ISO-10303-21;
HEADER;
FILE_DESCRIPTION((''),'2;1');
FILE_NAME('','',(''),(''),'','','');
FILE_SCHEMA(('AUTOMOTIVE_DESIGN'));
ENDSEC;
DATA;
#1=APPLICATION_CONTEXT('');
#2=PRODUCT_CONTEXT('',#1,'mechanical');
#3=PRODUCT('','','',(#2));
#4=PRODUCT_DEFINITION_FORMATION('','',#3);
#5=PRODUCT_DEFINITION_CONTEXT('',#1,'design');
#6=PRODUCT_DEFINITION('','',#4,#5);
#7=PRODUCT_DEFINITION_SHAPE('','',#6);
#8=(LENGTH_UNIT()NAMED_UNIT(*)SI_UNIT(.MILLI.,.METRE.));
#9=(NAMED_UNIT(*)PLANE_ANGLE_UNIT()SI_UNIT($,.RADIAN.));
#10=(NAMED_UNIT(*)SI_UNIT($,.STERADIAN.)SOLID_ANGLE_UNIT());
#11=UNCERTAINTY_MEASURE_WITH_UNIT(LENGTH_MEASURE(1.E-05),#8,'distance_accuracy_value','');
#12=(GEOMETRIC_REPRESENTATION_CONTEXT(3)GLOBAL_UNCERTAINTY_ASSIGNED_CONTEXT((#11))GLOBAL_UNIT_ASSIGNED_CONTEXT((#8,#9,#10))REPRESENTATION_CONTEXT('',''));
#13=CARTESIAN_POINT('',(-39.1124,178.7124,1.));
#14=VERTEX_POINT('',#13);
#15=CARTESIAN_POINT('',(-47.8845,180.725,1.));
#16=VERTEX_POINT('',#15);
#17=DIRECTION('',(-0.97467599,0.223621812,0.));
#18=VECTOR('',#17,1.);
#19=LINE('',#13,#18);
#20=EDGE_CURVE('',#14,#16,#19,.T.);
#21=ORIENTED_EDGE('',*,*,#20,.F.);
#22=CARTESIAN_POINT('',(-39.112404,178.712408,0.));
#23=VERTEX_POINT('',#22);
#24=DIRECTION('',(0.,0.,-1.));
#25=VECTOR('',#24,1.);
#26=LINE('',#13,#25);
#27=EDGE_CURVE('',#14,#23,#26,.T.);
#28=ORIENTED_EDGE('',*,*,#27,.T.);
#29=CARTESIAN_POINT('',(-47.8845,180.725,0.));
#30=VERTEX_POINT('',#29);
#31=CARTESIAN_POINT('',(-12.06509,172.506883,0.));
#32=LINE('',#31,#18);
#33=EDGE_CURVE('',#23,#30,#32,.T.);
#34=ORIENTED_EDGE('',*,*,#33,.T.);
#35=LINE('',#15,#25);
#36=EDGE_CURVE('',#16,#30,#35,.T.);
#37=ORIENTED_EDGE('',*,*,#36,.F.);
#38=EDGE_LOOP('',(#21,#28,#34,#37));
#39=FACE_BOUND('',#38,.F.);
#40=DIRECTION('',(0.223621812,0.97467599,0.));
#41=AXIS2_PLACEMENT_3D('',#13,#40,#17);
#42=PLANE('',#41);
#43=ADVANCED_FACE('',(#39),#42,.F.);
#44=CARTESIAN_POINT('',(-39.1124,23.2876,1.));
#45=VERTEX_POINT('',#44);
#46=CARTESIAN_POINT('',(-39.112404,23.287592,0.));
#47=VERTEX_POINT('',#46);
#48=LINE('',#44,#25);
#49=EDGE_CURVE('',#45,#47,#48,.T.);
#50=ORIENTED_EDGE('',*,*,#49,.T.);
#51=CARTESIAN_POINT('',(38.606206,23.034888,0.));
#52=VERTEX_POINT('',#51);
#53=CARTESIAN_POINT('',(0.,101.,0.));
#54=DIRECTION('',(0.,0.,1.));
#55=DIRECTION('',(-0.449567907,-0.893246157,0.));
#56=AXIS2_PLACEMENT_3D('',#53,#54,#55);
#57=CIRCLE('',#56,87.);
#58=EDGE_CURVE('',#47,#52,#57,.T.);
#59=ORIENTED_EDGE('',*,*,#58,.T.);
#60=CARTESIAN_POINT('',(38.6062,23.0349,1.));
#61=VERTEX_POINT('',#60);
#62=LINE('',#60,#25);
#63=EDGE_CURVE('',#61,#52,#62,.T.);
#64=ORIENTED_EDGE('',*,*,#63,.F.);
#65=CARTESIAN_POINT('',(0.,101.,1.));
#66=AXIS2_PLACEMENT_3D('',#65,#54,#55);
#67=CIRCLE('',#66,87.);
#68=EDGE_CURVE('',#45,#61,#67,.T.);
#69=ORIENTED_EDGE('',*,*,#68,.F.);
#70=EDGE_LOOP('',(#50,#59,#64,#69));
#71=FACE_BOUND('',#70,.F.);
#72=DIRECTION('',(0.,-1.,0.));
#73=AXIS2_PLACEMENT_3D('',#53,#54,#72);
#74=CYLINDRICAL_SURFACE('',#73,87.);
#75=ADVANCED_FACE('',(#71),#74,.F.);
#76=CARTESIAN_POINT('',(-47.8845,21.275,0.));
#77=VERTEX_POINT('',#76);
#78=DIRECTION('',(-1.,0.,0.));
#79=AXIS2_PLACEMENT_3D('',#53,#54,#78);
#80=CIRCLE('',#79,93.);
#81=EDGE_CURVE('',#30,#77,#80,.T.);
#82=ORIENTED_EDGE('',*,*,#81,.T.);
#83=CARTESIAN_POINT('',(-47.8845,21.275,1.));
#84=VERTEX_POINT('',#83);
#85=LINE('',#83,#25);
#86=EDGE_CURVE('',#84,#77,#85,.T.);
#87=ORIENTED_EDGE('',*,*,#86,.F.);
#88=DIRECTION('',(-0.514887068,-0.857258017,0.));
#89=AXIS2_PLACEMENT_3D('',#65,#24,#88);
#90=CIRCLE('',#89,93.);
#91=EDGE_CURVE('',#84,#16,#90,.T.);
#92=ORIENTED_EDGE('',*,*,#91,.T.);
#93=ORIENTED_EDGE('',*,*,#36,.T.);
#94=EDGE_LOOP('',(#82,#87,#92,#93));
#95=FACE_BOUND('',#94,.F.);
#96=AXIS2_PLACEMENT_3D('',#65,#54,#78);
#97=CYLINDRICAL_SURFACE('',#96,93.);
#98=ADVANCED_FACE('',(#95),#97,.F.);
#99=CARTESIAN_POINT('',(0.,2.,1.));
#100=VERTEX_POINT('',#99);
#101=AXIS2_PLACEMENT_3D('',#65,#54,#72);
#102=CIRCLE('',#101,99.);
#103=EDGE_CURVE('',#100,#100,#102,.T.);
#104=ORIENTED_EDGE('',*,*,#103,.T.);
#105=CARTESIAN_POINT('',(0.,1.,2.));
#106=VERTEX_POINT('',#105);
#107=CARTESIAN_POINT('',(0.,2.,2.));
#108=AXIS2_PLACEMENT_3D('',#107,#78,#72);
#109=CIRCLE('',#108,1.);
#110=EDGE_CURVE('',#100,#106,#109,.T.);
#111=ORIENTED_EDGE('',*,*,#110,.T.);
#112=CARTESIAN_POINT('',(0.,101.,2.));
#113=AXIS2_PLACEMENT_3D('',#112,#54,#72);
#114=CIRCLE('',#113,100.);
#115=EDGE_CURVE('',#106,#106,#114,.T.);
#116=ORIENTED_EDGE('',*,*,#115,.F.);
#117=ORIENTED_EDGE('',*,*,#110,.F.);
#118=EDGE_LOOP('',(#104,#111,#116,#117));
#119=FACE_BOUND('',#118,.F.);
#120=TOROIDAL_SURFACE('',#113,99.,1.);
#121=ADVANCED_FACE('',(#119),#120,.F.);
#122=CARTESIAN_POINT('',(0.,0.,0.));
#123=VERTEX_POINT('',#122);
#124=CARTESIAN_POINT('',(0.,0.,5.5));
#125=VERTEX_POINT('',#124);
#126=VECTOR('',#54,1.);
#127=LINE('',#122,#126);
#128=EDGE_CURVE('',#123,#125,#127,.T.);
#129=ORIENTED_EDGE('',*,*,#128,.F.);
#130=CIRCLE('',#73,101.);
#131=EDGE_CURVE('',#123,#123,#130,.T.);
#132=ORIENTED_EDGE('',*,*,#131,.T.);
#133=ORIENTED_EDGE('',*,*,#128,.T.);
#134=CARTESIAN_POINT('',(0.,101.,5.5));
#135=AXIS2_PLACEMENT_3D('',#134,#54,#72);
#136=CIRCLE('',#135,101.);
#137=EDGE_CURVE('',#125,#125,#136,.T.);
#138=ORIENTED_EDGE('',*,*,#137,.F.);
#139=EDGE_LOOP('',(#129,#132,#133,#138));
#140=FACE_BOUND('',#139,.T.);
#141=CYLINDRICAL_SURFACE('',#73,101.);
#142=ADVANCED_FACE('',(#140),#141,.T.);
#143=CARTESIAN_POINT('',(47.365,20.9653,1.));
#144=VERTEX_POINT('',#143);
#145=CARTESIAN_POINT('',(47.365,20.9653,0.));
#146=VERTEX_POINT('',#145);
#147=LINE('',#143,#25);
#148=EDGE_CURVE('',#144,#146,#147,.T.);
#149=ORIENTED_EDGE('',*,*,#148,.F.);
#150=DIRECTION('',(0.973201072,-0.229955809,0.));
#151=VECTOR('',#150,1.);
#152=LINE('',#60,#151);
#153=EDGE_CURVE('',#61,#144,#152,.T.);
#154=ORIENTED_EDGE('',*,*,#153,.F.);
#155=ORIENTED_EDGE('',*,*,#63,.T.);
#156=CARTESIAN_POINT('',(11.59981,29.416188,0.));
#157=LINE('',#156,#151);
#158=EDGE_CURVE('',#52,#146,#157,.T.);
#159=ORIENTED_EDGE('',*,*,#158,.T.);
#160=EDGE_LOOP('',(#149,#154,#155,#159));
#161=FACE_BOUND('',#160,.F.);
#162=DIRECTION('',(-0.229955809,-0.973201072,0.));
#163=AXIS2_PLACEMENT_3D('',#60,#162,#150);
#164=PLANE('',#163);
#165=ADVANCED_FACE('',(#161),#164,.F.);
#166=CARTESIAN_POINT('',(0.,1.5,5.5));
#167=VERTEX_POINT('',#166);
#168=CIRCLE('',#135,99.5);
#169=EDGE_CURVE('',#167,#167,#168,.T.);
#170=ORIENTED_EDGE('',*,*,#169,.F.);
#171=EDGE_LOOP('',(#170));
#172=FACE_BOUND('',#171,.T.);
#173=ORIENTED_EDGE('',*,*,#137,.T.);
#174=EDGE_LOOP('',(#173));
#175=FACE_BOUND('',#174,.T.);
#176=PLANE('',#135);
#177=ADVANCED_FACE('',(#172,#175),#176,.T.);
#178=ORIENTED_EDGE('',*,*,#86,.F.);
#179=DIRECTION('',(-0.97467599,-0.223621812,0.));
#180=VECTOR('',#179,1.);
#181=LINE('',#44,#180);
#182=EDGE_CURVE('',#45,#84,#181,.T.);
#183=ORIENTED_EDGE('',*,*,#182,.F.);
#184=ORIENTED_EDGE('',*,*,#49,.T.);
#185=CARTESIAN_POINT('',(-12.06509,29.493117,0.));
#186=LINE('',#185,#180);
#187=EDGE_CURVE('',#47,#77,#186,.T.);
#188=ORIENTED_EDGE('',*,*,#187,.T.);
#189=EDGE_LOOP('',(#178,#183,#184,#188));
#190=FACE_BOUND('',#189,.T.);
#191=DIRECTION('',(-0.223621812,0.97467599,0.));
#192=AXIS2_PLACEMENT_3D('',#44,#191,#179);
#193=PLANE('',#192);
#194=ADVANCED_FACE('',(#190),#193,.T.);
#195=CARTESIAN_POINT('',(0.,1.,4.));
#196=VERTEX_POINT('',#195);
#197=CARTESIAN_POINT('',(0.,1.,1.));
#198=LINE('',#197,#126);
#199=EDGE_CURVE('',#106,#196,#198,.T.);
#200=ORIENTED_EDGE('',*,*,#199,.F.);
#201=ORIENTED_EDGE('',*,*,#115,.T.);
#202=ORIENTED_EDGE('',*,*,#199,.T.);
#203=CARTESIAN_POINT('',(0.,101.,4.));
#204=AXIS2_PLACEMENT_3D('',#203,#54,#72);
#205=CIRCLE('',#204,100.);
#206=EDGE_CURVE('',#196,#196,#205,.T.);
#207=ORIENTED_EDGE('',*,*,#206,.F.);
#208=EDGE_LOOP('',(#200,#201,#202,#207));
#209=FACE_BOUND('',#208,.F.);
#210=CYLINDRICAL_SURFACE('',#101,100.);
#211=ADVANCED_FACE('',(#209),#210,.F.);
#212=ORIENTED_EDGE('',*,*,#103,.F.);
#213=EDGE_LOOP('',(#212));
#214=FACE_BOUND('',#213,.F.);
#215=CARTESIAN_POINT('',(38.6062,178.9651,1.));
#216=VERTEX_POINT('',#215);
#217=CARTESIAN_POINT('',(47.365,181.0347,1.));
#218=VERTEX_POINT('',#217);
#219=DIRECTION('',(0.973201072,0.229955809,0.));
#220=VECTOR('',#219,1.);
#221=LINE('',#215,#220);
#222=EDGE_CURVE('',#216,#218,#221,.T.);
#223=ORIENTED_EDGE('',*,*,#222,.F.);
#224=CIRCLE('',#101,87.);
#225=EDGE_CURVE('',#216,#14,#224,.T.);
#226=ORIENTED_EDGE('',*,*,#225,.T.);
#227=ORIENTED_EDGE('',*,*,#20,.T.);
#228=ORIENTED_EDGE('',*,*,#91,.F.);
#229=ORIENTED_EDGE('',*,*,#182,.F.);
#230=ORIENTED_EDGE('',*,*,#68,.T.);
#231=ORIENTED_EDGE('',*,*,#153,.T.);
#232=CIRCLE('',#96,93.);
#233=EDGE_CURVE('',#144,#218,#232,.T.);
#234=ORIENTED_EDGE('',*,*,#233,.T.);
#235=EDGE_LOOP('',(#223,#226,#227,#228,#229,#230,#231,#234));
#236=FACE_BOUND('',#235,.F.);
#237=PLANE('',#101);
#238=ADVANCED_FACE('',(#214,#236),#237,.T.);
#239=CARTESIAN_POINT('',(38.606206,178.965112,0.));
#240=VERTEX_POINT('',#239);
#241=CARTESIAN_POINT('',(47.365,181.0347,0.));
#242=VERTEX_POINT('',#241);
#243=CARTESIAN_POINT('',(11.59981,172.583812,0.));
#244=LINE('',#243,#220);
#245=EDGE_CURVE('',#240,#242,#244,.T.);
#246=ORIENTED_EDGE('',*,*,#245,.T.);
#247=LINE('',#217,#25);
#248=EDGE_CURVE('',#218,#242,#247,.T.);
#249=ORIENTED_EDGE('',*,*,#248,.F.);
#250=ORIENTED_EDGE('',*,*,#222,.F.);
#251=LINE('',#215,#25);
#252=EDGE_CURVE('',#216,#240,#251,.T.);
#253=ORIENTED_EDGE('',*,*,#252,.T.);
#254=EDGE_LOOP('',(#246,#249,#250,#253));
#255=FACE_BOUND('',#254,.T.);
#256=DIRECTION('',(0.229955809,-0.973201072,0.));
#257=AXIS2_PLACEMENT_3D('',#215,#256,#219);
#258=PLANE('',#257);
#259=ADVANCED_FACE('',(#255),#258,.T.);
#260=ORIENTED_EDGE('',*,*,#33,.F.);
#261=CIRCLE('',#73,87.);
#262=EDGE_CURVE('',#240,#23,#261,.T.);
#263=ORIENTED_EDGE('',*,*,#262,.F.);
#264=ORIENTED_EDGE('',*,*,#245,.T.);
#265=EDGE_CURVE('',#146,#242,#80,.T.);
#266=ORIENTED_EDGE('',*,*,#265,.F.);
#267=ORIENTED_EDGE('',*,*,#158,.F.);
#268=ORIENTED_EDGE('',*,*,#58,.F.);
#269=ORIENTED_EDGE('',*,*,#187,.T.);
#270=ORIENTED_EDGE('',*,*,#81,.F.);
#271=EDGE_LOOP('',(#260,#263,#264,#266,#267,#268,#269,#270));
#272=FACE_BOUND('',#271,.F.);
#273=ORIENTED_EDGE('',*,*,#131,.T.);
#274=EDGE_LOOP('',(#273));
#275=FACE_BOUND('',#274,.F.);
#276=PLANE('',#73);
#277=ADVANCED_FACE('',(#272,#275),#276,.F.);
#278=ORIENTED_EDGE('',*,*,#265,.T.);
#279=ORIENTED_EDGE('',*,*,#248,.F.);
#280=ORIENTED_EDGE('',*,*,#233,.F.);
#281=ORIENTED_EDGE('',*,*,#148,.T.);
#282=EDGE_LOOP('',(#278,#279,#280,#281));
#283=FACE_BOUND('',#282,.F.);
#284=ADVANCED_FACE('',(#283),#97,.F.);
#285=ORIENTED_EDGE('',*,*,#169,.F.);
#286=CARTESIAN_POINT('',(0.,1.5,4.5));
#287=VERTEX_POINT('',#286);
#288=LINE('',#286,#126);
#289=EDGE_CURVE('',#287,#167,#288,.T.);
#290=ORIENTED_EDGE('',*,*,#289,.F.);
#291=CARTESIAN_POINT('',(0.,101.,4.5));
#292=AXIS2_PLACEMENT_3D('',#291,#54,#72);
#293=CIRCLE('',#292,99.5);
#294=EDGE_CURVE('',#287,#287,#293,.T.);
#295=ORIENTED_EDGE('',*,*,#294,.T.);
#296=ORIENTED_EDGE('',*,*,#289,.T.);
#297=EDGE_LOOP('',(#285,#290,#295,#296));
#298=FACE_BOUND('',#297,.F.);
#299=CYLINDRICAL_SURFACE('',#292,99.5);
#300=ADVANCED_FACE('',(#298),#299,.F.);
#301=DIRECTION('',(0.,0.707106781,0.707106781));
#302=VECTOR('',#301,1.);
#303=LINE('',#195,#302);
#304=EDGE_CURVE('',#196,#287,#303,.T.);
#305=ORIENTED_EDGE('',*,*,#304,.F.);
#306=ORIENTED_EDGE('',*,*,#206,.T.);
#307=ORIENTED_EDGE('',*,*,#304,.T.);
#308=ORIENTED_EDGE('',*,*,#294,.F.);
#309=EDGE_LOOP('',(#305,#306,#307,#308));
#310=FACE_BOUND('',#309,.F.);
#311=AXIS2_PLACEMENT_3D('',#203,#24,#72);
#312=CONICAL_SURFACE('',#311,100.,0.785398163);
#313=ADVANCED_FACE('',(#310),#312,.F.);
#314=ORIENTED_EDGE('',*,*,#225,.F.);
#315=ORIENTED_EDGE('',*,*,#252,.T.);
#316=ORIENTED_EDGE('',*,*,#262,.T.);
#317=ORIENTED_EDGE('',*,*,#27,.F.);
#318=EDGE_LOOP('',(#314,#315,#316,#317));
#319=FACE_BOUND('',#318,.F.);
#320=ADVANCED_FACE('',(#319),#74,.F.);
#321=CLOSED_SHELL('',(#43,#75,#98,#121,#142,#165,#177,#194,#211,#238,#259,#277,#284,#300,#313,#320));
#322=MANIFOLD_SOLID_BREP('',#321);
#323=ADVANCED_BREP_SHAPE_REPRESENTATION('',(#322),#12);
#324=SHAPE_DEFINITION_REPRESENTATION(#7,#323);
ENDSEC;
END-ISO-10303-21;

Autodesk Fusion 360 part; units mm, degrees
sketch "Ring" plane through (0, 0, 0) normal (1, 0, 0) x (0, 1, 0)
  line L0 (0, 0) -> (0, 5.5)
  line L1 (0, 0) -> (14, 0)
  line L2 (14, 0) -> (14, 1)
  line L3 (14, 1) -> (1, 1)
  line L4 (1, 1) -> (1, 4)
  line L5 (1, 4) -> (1.5, 4.5)
  line L6 (1.5, 4.5) -> (1.5, 5.5)
  line L7 (0, 5.5) -> (1.5, 5.5)
  line L8 (101, -11) -> (101, 21) construction
  point P0 (101, 0)
  dimension "d11" = 1
  dimension "d12" = 3
  dimension "d13" = 1
  dimension "d21" = 1
  dimension "d44" = 135
  dimension "d45" = 0.5
  dimension "d47" = 13
  dimension "d48" = 100
revolve "Revolve Ring" add sketch "Ring" angle 360 about axis through (0, 101, -11) along (0, 0, 1)
sketch "Cutout" plane through (0, 0, 1) normal (0, 0, 1) x (-1, 0, 0)
  circle A0 centre (0, -101) radius 100
  circle A1 centre (0, -101) radius 87
  circle A2 centre (0, -101) radius 87
  circle A3 centre (0, -101) radius 93
  line L0 (39.1124, -23.2876) -> (47.8845, -21.275)
  line L1 (-38.6062, -23.0349) -> (-47.365, -20.9653)
  line L2 (-38.6062, -178.9651) -> (-47.365, -181.0347)
  line L3 (39.1124, -178.7124) -> (47.8845, -180.725)
  line L4 (47.8845, -180.725) -> (47.8845, -21.275) construction
  line L5 (-47.365, -181.0347) -> (-47.365, -20.9653) construction
  point P0 (39.1124, -23.2876)
  dimension "d24" = 0
  dimension "d25" = 186
  dimension "d37" = 9
  dimension "d49" = 95.25
  dimension "d50" = 77.719
  dimension "d52" = 159.45
extrude "Remove Cutout" cut sketch "Cutout" against normal blind 10 contours A1 A2 A3 L0 L3 | A1 A2 A3 L1 L2
fillet "Fillet2" radius 1 1 edges at (-93.2327, 64.8385, 1)
equation "d11 = bottom_thickness"
equation "d12 = cardboard_thickness"
equation "d21 = edge_thickness"
equation "d25 = spool_diameter - ( 2 * width_to_holes )"
equation "bottom_thickness = 1 mm" comment "Thickness of the part that touches the spool on the side."
equation "cardboard_thickness = 3 mm" comment "Thickness of the cardboard on the spool."
equation "spool_diameter = 200 mm" comment "Diameter of the spool."
equation "edge_thickness = 1 mm" comment "Thickness of the part that goes around the edge of the cardboard spool and sits on the rollers in the AMS, adding to the diameter of the spool.  Decrease this if the AMS cannot be closed as the diameter is too big.  For example: If the spool diameter is 200 mm and this value is 1 mm, the final diameter of the printed spool ring will be 200 mm + (2 * 1 mm) = 202 mm (as there is material on both sides)."
equation "width_to_holes = 7 mm" comment "Width between the edge of the cardboard spool and right before the holes start (which you use to stick the loose end of the filement in for storage). Decrease this if the printed part covers holes on the cardboard spool."
equation "total_width = 13 mm" comment "Width of the printed part that covers the cardboard spool's side (one side only). Must be larger than or equal to \"width_to_holes\"."
equation "d47 = total_width"
equation "d48 = spool_diameter / 2"
equation "fillet_radius = 1 mm" comment "Size of the internal fillet, to increase strength in case the layers separate when taking it off the bed."
